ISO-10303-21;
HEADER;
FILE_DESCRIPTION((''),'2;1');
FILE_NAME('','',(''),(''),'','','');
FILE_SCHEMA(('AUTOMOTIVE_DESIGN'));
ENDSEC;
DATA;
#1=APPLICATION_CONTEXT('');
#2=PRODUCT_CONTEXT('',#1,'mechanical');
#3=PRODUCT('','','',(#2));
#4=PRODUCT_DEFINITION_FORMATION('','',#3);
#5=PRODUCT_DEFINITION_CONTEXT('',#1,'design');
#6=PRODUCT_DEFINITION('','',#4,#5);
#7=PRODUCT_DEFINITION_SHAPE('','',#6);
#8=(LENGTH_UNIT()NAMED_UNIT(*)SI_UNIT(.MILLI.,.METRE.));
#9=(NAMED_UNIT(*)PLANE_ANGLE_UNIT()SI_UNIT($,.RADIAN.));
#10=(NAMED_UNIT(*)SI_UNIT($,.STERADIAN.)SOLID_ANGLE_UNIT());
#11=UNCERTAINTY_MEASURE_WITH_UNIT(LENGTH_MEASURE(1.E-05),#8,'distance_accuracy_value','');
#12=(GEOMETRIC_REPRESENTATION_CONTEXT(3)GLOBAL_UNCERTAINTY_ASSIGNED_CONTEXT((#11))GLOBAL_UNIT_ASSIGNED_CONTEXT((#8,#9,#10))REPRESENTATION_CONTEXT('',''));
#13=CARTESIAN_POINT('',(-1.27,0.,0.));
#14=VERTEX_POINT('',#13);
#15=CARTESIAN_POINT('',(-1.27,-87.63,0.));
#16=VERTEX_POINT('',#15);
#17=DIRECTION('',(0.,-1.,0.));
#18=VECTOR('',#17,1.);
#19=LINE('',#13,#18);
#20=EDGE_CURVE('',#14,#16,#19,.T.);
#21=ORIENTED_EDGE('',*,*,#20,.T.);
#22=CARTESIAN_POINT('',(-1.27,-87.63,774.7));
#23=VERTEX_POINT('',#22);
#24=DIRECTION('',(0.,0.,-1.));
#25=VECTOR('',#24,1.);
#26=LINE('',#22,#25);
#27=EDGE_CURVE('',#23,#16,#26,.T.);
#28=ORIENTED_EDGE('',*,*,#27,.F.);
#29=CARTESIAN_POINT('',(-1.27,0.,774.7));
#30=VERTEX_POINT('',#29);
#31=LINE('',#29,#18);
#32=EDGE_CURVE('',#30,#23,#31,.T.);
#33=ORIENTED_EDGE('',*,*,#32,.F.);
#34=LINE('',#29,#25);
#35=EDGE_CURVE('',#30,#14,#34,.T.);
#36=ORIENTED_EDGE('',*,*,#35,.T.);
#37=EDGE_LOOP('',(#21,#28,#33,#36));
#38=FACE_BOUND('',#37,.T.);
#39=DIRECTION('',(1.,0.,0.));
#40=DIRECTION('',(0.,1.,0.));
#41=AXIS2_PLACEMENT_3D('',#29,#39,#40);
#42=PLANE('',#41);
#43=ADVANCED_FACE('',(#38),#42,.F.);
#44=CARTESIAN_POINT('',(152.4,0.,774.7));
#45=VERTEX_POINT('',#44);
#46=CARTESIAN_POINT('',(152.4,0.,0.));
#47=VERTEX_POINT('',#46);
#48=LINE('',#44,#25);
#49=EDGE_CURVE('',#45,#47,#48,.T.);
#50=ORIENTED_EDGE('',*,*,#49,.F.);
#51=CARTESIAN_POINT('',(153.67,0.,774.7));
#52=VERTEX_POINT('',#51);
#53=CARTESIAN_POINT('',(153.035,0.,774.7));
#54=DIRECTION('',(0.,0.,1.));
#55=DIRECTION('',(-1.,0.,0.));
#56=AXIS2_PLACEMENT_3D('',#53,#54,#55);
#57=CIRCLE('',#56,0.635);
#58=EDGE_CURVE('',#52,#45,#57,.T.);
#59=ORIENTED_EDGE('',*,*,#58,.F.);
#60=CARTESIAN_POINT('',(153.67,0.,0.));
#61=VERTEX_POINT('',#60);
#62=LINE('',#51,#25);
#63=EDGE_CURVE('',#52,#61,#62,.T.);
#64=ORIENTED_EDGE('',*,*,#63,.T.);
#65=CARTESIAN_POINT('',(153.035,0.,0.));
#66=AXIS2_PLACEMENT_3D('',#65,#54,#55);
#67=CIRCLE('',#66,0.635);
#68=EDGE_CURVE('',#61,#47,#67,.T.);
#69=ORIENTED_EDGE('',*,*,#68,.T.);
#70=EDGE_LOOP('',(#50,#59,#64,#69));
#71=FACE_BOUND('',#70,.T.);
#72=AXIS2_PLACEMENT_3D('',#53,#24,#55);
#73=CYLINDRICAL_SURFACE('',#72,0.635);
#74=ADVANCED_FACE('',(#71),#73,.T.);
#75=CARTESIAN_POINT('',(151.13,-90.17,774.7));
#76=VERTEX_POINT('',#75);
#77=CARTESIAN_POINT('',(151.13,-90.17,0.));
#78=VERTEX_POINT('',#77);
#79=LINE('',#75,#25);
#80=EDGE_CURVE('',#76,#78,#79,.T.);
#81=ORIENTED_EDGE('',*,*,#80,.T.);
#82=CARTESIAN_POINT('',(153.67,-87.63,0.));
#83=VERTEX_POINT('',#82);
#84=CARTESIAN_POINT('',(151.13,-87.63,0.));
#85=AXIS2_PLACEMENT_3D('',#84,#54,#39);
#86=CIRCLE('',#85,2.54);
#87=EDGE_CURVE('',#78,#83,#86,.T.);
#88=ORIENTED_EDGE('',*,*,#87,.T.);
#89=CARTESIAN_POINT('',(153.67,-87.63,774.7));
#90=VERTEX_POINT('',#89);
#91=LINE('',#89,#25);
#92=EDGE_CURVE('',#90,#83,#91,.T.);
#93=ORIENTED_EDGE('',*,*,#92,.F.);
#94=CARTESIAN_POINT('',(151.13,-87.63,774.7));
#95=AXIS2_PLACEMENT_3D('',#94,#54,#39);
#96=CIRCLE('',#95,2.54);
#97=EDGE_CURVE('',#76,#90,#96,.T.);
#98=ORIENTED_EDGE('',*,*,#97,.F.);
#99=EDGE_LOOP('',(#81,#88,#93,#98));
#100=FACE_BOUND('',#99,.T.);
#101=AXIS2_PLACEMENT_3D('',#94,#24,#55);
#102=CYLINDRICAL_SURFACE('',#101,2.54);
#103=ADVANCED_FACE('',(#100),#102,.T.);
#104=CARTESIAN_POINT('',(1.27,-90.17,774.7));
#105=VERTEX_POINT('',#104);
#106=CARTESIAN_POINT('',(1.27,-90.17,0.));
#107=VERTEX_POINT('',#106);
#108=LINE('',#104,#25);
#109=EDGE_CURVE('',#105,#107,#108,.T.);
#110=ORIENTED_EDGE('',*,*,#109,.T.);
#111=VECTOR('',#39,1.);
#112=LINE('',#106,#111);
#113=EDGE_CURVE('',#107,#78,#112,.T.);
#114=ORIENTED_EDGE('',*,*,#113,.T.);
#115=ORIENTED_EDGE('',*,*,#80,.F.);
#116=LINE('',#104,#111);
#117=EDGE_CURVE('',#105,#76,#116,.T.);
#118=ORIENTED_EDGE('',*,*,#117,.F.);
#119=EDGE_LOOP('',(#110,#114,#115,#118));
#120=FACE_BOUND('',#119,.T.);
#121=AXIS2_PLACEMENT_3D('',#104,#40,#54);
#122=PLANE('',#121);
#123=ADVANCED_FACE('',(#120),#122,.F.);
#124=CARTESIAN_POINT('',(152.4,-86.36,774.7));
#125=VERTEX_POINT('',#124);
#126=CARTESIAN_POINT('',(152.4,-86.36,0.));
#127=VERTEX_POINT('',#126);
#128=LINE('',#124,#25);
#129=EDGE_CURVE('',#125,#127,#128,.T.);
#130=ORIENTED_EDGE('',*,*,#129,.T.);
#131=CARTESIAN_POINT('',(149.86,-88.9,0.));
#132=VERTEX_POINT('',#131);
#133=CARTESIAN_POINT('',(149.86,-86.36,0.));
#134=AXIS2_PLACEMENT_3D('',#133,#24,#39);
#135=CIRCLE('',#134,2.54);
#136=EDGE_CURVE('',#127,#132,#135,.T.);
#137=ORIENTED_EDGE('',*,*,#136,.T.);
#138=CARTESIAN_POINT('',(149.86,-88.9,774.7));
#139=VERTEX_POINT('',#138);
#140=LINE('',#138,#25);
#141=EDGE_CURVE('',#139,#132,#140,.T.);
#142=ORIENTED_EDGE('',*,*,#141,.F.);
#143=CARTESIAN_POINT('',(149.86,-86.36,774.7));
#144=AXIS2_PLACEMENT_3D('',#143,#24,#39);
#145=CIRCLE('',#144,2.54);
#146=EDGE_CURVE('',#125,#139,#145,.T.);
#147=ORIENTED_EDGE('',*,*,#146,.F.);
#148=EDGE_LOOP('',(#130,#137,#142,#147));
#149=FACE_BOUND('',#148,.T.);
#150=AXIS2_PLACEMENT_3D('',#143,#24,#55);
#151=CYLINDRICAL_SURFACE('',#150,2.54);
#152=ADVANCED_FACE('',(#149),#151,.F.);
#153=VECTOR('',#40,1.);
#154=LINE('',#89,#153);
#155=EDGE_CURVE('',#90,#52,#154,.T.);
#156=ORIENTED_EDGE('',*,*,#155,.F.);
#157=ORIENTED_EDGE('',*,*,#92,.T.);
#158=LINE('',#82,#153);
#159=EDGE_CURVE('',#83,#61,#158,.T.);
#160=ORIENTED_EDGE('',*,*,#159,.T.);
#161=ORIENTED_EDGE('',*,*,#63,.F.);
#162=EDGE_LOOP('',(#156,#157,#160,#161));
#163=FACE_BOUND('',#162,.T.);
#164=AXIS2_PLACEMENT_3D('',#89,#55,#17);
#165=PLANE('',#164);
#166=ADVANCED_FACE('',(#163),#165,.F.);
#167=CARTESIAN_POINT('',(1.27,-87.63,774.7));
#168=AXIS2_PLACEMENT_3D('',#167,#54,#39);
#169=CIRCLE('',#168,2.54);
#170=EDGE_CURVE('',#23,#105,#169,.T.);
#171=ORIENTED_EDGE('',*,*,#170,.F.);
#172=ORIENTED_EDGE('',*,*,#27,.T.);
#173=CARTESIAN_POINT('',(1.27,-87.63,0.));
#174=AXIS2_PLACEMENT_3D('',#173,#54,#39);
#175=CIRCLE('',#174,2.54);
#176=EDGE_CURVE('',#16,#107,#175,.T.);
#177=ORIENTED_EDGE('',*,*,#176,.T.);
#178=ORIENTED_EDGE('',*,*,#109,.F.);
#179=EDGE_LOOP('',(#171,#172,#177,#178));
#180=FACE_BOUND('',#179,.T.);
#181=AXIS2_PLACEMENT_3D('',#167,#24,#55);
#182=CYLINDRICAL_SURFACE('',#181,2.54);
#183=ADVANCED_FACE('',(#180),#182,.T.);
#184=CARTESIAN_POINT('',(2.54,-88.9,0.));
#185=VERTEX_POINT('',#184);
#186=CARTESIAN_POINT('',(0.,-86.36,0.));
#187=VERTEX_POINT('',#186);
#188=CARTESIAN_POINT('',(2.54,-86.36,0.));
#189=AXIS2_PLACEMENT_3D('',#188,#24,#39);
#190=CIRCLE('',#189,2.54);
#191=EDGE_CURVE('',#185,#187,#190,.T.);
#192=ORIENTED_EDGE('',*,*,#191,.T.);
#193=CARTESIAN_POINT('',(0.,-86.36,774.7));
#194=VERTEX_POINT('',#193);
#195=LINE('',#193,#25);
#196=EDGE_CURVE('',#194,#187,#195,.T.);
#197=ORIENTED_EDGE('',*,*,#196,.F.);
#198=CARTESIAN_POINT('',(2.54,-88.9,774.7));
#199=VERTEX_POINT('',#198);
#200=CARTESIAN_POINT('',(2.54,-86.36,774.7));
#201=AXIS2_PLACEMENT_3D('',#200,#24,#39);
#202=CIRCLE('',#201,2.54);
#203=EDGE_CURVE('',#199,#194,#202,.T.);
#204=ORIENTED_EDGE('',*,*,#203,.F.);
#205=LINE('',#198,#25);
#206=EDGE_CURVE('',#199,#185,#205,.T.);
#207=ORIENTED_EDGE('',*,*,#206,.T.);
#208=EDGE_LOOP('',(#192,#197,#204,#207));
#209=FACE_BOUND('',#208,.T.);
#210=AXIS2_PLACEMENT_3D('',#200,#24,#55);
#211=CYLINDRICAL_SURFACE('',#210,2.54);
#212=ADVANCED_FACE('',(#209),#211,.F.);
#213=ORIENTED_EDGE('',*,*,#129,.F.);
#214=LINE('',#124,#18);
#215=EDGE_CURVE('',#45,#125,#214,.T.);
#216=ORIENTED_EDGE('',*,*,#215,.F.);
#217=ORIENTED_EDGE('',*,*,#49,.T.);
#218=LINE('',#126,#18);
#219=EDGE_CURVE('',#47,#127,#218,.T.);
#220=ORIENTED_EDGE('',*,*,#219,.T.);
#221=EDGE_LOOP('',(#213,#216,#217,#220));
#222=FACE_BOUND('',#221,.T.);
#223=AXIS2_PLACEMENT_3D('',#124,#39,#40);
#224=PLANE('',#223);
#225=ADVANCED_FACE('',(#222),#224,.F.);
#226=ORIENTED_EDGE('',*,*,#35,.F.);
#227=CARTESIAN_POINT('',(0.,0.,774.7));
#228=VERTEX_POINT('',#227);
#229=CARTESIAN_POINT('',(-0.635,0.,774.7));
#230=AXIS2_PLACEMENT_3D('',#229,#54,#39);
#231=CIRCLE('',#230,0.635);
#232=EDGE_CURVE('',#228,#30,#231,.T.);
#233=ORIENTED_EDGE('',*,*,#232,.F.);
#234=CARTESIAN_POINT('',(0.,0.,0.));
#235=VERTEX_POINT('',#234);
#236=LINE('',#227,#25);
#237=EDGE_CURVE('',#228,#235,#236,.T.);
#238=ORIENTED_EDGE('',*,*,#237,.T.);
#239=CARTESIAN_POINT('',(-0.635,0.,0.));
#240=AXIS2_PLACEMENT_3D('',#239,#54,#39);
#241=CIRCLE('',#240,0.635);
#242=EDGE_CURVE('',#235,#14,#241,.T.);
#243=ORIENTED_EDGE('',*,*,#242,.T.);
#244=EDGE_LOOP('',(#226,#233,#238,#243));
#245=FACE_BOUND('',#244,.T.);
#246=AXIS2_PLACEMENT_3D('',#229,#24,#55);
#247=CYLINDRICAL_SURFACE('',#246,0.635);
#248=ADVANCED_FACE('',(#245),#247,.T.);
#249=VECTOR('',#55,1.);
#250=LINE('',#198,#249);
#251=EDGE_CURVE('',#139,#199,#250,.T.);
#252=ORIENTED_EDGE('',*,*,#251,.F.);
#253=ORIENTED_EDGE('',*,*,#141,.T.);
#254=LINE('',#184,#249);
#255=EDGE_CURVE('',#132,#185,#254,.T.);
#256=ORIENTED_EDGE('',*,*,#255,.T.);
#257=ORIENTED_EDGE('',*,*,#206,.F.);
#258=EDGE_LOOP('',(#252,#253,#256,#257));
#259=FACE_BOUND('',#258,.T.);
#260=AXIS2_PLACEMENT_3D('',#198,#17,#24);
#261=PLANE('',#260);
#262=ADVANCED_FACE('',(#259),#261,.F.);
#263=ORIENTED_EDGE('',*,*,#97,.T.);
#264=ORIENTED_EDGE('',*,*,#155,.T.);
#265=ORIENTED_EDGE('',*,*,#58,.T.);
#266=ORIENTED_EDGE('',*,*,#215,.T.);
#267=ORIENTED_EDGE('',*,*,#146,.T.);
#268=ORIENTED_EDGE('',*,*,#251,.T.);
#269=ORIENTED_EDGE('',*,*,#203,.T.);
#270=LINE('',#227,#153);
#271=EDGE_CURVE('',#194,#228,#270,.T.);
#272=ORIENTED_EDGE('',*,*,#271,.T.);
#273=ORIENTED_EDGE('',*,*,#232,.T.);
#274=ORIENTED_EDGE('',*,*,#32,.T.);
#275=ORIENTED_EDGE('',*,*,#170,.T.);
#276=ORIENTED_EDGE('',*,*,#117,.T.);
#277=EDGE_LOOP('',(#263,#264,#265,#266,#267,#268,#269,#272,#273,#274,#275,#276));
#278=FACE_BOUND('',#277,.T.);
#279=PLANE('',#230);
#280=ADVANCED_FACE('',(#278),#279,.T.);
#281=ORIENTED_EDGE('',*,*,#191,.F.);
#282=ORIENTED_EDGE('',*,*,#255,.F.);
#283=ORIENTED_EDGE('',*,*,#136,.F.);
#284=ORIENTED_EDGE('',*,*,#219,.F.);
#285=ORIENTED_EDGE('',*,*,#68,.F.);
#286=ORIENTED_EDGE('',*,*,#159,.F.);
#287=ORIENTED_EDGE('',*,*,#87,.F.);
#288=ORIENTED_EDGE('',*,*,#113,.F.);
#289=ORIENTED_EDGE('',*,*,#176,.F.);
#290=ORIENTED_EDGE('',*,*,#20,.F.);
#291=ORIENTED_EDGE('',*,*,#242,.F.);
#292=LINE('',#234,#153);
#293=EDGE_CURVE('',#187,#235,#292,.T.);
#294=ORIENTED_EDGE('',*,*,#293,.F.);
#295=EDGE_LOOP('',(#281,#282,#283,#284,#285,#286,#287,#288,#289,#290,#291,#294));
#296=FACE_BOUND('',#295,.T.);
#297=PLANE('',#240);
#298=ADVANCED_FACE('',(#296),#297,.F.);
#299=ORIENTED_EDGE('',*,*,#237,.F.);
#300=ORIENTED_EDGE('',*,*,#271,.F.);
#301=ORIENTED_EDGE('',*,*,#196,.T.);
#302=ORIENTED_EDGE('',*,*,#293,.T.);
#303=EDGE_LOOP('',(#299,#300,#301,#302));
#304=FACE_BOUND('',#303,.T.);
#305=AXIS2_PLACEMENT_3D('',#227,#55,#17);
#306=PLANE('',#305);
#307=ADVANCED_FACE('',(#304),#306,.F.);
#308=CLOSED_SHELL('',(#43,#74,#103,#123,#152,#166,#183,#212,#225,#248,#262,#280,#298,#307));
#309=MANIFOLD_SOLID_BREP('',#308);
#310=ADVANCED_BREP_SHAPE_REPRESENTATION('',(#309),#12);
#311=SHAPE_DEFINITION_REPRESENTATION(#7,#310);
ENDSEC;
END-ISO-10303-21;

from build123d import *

# Parameters (mm, degrees)
BOSS_EXTRUDE1_DEPTH = 774.7


with BuildPart() as part:
    # Sketch1 → Boss-Extrude1 (new body)
    with BuildSketch(Plane.XY):
        with BuildLine():
            Line((0, 0), (0, -86.36))
            ThreePointArc((0, -86.36), (0.743948776, -88.156051224), (2.54, -88.9))
            Line((2.54, -88.9), (149.86, -88.9))
            ThreePointArc((149.86, -88.9), (151.656051224, -88.156051224), (152.4, -86.36))
            Line((152.4, -86.36), (152.4, 0))
            ThreePointArc((152.4, 0), (153.035, 0.635), (153.67, 0))
            Line((153.67, 0), (153.67, -87.63))
            ThreePointArc((153.67, -87.63), (152.926051224, -89.426051224), (151.13, -90.17))
            Line((151.13, -90.17), (1.27, -90.17))
            ThreePointArc((1.27, -90.17), (-0.526051224, -89.426051224), (-1.27, -87.63))
            Line((-1.27, -87.63), (-1.27, 0))
            ThreePointArc((-1.27, 0), (-0.635, 0.635), (0, 0))
        make_face()
    extrude(amount=BOSS_EXTRUDE1_DEPTH)


solid = part.part
